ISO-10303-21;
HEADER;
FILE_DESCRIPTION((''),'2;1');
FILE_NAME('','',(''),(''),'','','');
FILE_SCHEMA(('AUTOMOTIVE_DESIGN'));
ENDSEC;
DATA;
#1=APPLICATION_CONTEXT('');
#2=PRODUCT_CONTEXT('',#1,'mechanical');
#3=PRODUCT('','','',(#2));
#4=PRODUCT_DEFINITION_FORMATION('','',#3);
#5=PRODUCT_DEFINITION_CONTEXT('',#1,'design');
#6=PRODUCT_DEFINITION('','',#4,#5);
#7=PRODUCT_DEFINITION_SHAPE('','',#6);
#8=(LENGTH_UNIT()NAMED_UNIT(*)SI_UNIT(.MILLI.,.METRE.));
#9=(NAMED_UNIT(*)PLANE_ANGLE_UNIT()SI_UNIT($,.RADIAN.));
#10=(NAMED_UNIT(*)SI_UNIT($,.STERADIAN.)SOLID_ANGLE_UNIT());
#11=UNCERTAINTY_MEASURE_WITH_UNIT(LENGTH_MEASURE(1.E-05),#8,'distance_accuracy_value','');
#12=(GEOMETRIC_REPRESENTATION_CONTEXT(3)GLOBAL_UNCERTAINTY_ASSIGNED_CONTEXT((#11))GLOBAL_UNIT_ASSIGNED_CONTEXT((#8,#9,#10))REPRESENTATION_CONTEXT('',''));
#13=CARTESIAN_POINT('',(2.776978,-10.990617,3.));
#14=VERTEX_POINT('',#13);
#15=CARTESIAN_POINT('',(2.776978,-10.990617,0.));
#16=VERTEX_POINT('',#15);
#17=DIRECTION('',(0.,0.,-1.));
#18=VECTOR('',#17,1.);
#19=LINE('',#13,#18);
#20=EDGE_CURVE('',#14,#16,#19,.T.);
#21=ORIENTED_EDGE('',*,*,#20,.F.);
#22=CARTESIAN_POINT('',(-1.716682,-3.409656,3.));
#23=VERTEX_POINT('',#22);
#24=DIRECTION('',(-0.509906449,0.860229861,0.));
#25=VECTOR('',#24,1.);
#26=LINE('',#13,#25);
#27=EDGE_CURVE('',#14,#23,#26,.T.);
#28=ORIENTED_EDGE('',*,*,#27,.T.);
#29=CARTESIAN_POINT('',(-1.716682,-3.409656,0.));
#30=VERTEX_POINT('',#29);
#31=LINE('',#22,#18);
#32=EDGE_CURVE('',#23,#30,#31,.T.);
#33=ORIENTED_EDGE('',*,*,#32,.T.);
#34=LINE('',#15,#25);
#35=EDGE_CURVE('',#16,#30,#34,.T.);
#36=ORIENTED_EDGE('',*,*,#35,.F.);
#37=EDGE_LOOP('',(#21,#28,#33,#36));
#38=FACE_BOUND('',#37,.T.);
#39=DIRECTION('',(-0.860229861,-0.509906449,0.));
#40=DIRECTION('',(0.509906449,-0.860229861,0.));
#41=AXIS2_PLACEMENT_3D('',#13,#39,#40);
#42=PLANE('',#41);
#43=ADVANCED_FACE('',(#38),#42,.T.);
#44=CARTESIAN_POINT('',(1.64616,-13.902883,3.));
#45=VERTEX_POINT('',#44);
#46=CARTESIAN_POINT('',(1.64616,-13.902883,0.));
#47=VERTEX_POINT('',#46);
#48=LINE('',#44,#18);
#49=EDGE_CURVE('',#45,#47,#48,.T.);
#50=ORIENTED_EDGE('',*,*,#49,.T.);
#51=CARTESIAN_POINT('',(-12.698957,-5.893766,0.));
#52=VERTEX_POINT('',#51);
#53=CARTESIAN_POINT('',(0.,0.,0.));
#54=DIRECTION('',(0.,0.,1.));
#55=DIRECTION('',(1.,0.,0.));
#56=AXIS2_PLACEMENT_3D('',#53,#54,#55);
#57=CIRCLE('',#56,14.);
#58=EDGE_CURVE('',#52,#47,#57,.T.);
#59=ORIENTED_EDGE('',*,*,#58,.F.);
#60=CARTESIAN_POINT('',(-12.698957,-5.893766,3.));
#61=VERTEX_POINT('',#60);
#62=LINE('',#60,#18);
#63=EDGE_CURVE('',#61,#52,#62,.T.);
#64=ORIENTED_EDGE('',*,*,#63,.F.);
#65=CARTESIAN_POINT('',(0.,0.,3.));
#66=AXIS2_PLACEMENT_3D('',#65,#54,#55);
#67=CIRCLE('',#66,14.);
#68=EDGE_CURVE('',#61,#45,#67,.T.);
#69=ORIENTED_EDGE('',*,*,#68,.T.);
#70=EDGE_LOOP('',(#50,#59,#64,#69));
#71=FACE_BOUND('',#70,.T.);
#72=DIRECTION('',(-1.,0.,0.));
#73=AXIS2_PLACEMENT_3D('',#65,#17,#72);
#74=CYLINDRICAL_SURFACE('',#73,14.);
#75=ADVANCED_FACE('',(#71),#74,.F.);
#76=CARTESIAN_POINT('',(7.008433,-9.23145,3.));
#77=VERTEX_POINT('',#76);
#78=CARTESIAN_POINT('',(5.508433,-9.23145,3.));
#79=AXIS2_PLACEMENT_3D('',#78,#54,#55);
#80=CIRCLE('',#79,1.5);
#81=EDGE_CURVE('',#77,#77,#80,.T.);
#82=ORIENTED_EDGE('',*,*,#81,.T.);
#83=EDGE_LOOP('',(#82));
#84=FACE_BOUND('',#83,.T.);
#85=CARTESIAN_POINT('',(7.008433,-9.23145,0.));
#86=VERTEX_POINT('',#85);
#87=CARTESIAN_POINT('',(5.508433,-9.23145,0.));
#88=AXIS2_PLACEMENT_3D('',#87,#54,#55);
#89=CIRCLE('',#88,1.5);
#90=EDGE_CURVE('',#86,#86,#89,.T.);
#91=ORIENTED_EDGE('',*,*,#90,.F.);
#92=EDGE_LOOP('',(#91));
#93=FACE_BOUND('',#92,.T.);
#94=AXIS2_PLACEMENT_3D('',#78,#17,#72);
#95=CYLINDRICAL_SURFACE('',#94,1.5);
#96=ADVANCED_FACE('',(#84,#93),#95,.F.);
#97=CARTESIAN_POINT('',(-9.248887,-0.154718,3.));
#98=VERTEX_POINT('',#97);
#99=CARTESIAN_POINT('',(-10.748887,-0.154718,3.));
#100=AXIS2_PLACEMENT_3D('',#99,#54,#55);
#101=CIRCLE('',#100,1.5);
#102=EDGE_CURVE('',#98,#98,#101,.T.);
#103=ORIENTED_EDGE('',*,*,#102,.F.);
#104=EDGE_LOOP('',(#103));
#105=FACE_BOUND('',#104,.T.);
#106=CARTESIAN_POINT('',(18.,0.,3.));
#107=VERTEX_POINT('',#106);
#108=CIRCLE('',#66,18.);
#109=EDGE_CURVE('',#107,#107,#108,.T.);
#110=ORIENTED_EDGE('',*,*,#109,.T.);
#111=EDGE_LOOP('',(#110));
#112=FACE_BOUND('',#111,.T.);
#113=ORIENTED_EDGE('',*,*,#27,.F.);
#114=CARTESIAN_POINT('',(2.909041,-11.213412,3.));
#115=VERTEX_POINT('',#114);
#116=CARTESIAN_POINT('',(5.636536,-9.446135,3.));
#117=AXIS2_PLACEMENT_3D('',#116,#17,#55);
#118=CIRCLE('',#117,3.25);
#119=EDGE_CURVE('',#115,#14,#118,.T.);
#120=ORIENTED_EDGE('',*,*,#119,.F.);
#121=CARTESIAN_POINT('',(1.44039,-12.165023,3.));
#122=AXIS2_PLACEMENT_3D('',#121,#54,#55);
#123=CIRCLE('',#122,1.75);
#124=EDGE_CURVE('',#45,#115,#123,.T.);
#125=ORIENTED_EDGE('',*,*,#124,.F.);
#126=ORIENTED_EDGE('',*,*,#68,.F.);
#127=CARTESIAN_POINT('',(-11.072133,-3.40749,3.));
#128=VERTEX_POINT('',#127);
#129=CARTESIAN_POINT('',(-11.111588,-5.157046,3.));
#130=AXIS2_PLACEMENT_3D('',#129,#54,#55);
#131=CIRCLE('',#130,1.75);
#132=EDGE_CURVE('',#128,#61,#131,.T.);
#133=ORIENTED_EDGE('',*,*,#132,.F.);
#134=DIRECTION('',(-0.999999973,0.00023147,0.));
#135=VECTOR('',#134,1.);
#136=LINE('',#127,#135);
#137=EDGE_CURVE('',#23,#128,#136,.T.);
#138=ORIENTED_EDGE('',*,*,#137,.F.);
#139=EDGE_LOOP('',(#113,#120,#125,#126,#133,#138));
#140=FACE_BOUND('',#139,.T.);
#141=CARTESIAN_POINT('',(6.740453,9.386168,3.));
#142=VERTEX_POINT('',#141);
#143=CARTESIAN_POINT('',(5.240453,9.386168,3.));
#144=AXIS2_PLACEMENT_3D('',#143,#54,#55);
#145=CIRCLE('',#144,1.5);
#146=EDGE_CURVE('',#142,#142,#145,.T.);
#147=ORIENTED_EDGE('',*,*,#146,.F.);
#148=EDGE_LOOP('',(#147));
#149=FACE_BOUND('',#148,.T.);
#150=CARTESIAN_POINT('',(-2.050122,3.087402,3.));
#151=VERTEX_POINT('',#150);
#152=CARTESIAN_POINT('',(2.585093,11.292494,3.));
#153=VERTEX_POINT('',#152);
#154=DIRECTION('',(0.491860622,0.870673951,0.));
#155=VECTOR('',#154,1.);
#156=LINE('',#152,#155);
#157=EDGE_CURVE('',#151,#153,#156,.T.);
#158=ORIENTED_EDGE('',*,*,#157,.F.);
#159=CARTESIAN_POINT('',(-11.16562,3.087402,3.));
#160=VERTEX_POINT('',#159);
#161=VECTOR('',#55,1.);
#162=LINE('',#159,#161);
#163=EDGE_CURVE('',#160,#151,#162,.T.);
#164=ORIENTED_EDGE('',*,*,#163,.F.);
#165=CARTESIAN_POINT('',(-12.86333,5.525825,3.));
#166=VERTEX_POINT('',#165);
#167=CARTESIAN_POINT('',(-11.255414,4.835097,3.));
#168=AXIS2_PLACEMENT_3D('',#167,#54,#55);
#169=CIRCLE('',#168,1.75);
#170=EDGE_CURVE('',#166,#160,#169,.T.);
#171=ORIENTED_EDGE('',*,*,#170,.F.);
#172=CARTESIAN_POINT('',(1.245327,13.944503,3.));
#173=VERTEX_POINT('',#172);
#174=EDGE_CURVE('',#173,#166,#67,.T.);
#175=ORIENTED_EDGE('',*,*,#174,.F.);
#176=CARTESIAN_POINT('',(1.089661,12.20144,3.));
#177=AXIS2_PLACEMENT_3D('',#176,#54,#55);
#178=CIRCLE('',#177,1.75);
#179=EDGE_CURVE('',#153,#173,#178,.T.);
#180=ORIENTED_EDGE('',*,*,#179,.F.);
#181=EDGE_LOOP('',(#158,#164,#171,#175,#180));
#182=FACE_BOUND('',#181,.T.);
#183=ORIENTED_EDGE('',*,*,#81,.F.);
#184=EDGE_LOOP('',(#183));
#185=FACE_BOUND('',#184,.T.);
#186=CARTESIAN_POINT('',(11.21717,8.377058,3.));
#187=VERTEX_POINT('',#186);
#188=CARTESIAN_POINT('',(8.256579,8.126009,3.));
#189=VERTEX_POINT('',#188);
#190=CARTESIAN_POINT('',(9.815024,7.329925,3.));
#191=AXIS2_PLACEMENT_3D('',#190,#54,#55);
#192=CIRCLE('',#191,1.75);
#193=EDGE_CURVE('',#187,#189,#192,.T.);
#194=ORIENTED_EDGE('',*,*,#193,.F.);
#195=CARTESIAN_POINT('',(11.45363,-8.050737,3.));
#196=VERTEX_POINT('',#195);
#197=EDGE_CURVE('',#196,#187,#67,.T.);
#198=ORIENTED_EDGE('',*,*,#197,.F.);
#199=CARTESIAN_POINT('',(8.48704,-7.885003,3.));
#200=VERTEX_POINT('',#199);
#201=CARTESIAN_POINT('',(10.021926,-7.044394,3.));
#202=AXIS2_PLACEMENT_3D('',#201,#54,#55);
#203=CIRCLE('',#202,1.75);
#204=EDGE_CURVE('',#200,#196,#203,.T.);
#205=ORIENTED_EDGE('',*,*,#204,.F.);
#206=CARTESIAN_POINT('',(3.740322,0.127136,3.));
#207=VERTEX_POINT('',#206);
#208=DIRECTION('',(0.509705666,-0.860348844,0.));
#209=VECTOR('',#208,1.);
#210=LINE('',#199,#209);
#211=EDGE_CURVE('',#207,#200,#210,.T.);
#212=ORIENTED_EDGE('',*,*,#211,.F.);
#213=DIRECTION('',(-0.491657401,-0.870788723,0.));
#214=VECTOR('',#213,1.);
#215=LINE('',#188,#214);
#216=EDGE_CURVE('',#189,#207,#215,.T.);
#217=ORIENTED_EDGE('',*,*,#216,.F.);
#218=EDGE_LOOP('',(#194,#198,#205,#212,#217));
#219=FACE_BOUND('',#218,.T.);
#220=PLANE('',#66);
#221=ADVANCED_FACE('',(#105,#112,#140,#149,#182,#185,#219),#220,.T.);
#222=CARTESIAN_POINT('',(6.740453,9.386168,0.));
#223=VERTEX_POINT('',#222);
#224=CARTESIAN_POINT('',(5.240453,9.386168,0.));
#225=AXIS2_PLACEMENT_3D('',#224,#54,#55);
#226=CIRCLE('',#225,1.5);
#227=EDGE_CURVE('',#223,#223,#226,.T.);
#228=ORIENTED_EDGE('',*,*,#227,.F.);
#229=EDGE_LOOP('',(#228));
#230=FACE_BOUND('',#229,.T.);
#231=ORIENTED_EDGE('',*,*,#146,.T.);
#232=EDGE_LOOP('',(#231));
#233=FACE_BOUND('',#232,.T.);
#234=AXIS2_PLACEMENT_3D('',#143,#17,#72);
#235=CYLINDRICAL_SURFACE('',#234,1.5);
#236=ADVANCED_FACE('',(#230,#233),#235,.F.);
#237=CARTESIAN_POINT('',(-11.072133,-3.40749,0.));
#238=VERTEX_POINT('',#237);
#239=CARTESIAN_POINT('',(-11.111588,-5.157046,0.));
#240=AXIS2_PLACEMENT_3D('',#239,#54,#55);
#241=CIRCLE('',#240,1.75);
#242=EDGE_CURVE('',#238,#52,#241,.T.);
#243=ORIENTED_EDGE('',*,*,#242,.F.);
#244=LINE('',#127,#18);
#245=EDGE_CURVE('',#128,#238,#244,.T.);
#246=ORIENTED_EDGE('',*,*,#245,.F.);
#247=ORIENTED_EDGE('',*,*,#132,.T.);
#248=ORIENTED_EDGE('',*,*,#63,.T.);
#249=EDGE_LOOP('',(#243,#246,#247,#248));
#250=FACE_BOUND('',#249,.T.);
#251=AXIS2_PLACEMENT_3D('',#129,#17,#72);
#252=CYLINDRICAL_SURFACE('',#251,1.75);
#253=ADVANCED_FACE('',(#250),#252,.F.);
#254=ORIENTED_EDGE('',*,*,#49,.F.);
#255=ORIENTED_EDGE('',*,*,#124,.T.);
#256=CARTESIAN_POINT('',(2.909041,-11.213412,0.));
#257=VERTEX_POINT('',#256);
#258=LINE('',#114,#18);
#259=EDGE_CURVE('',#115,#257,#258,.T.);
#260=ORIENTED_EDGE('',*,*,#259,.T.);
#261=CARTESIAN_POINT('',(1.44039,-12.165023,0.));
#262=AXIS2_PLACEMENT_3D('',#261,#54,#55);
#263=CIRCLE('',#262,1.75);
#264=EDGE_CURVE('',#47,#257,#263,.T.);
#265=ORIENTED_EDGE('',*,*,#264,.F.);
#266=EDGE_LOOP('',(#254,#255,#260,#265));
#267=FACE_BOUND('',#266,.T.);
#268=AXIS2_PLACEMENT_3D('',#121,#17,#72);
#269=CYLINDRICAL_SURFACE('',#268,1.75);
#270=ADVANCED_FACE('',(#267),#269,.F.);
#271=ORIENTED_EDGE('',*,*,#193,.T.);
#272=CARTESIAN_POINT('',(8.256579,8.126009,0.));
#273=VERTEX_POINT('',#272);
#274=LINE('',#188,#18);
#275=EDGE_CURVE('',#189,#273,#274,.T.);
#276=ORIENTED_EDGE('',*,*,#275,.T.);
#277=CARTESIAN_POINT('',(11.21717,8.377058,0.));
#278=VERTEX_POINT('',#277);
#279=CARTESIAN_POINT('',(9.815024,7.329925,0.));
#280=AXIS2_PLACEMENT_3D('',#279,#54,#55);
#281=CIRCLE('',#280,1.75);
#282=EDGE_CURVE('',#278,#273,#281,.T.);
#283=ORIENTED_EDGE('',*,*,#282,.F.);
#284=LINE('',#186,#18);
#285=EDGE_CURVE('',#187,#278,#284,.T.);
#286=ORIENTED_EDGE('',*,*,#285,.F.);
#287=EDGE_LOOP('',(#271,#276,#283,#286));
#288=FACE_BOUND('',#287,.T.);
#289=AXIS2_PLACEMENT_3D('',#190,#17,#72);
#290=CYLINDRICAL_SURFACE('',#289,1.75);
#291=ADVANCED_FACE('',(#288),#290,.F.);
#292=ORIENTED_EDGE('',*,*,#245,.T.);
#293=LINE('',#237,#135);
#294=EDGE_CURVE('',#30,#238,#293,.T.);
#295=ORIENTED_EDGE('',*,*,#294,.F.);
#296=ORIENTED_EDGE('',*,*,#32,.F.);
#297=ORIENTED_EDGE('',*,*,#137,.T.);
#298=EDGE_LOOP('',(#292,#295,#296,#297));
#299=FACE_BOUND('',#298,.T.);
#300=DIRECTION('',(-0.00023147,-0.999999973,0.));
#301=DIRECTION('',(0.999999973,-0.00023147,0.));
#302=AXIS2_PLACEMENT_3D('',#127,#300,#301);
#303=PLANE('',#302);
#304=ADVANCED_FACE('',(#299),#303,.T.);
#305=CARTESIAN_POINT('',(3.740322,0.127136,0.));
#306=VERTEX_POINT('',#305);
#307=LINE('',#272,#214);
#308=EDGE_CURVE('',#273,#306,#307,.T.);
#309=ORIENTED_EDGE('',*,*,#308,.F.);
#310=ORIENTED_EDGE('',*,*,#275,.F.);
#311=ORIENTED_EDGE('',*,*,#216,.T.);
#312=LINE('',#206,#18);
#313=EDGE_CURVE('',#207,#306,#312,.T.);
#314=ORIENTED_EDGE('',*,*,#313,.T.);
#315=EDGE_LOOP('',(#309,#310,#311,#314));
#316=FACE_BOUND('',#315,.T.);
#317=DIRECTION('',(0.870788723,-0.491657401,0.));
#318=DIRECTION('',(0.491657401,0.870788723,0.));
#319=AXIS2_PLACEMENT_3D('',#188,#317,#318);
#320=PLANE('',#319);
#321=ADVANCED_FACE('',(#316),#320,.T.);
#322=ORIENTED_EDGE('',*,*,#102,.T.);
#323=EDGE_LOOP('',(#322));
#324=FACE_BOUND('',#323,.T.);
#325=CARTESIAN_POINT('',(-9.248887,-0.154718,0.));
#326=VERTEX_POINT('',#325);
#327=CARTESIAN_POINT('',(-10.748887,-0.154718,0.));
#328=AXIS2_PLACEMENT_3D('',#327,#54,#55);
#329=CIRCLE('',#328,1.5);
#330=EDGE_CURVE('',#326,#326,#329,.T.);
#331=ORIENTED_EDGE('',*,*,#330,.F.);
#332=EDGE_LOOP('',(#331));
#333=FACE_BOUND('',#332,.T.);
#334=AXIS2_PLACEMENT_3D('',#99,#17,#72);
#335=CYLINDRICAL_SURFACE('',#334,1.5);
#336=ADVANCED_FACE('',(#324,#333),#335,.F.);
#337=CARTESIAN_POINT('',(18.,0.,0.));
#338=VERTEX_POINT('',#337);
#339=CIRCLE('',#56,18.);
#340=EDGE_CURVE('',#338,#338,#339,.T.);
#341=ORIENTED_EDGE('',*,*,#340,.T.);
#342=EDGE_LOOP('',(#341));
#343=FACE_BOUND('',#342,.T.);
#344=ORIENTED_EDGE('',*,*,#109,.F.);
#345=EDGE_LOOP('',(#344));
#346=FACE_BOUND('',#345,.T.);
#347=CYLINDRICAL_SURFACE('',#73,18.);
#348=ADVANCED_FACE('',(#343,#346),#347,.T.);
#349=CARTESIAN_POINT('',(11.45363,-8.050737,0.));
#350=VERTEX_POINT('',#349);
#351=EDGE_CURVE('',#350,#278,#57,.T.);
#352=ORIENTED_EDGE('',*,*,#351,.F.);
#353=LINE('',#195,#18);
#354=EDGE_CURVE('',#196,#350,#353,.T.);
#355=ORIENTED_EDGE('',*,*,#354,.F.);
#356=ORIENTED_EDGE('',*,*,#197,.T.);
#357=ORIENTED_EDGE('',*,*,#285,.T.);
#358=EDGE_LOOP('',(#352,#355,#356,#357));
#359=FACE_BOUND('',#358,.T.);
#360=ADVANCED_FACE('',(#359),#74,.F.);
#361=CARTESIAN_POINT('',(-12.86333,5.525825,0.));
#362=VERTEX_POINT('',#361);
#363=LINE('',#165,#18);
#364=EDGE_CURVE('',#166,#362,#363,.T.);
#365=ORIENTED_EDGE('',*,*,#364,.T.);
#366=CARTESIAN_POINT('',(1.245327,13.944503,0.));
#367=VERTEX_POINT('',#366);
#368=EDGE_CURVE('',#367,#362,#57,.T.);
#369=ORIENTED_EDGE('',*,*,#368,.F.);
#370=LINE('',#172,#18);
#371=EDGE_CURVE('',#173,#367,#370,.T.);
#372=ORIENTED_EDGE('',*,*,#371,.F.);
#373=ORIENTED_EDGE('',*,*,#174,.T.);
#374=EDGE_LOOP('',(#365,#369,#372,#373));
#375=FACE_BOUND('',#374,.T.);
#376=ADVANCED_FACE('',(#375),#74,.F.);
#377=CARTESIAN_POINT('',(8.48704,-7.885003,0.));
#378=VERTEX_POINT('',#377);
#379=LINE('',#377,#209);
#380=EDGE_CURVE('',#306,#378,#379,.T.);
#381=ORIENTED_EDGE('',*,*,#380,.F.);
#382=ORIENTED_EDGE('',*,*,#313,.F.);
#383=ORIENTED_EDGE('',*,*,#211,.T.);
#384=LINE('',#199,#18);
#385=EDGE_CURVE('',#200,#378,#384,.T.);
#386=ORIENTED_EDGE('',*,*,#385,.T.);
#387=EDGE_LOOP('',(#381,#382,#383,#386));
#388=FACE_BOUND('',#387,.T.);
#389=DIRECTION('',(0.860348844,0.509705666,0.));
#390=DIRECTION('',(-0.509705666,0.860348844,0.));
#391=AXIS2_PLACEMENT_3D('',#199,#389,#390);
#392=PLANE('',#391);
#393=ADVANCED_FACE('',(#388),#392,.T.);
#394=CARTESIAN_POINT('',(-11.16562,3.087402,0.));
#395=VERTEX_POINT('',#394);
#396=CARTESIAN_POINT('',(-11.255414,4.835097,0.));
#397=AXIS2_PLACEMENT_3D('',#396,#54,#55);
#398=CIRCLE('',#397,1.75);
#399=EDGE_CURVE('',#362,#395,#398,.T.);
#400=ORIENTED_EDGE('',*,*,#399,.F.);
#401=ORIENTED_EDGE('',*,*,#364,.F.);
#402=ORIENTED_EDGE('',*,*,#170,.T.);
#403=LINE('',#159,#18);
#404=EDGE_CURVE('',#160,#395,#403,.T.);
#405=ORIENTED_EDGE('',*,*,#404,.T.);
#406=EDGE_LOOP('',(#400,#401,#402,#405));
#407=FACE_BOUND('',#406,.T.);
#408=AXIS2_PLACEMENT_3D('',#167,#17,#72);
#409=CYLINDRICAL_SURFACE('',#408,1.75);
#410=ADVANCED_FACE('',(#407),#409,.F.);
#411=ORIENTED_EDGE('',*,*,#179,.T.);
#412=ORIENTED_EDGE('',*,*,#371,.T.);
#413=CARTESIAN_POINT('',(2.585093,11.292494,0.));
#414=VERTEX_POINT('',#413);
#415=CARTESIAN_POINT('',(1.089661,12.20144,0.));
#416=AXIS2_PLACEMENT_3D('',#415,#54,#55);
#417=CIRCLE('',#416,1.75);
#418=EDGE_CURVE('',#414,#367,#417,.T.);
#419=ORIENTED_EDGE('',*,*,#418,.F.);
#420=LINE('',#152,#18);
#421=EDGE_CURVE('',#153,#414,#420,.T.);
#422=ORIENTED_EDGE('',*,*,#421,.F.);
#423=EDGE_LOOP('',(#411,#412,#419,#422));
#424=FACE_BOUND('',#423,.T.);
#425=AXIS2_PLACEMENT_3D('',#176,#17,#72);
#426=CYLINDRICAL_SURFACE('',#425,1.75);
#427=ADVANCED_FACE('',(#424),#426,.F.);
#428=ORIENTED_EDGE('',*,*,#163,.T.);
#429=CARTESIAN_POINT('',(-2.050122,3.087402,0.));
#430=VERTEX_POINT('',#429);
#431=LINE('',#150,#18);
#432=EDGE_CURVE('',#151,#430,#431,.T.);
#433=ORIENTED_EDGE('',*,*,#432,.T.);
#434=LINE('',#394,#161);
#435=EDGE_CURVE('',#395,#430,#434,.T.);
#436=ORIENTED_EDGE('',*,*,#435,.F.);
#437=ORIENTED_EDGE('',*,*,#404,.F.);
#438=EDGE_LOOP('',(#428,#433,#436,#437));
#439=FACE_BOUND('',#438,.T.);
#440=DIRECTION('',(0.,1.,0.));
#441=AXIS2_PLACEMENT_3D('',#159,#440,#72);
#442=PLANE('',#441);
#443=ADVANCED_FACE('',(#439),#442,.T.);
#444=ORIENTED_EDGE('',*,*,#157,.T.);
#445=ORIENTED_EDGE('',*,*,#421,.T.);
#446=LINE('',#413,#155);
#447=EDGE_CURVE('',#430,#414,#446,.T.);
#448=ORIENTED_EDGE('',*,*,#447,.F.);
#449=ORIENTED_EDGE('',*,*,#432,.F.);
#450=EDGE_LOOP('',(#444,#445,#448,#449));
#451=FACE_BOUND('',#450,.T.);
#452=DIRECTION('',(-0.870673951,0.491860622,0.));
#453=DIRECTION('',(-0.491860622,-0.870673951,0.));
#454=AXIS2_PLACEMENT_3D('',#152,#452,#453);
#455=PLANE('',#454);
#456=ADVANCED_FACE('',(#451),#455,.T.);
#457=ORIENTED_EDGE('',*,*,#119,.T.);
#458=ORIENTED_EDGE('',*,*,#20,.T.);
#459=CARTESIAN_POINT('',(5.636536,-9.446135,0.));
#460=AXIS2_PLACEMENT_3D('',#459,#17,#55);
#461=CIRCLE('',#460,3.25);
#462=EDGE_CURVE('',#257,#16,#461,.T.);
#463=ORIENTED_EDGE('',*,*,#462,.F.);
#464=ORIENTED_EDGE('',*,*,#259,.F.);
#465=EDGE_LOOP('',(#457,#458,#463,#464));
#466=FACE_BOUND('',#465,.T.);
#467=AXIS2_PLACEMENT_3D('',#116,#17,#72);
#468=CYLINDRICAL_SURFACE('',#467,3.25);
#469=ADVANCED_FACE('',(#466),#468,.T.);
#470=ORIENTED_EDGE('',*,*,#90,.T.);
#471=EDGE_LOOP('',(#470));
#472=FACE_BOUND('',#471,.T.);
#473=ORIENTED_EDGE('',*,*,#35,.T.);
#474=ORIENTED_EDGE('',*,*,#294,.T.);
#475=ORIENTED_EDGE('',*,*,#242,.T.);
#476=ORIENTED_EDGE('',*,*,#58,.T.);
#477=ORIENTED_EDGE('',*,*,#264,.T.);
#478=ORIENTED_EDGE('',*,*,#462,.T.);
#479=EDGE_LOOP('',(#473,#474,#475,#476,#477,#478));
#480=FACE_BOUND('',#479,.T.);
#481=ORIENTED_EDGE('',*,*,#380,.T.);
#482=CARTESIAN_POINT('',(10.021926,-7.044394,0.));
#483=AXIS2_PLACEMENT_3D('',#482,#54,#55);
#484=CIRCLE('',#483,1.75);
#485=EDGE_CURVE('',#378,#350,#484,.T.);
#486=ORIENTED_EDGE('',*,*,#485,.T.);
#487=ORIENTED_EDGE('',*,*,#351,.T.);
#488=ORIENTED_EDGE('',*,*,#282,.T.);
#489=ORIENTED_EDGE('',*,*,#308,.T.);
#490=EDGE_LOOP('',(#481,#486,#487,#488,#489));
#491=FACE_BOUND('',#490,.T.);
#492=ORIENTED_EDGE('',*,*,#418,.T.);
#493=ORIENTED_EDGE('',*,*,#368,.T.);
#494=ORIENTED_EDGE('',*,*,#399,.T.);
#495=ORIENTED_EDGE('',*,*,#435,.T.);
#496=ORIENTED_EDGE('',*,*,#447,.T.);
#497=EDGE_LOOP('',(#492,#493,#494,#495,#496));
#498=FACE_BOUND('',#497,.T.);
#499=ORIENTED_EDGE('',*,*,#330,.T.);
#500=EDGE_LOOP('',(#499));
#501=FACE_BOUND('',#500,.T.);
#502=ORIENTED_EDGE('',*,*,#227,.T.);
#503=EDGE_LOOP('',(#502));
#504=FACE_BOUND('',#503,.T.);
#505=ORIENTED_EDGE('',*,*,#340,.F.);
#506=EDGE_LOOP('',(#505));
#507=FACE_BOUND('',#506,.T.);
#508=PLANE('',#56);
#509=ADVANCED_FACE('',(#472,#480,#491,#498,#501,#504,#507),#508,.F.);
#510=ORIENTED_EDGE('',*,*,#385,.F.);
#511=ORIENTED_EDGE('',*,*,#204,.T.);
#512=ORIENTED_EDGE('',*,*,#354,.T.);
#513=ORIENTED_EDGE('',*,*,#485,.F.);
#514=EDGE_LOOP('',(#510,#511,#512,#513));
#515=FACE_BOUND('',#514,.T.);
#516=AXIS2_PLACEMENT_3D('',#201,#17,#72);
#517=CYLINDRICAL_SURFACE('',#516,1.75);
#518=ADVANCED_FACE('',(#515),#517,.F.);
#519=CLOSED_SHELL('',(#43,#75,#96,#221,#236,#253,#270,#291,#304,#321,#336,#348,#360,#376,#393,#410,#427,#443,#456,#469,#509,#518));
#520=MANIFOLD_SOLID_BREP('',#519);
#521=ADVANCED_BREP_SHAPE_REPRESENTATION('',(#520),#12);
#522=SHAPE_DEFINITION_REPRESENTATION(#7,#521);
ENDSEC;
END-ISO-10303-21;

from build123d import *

# Parameters (mm, degrees)
ESQUISSE1_R        = 18
ESQUISSE1_R_2      = 1.5
BOSS_EXTRU_1_DEPTH = 3


with BuildPart() as part:
    # Esquisse1 → Boss.-Extru.1 (new body)
    with BuildSketch(Plane.XY):
        Circle(ESQUISSE1_R)
        with Locations((5.240453276, 9.386167986)):
            Circle(ESQUISSE1_R_2, mode=Mode.SUBTRACT)
        with Locations((5.508433282, -9.231449657)):
            Circle(ESQUISSE1_R_2, mode=Mode.SUBTRACT)
        with Locations((-10.748886558, -0.154718329)):
            Circle(ESQUISSE1_R_2, mode=Mode.SUBTRACT)
        with BuildLine():
            Line((-11.072133243, -3.407490345), (-1.716682497, -3.409655851))
            Line((-1.716682497, -3.409655851), (2.776978064, -10.990617044))
            ThreePointArc((2.776978064, -10.990617044), (2.840789334, -11.103330491), (2.909041031, -11.213411848))
            ThreePointArc((2.909041031, -11.213411848), (3.02444637, -12.90884018), (1.646159643, -13.902883098))
            ThreePointArc((1.646159643, -13.902883098), (-6.824776359, -12.22384668), (-12.698957381, -5.893766319))
            ThreePointArc((-12.698957381, -5.893766319), (-12.575965538, -4.198871447), (-11.072133243, -3.407490345))
        make_face(mode=Mode.SUBTRACT)
        with BuildLine():
            Line((-11.165620039, 3.087402491), (-2.050122008, 3.087402491))
            Line((-2.050122008, 3.087402491), (2.58509342, 11.292493835))
            ThreePointArc((2.58509342, 11.292493835), (2.651653429, 12.990541357), (1.245327334, 13.944502853))
            ThreePointArc((1.245327334, 13.944502853), (-7.173773577, 12.022353042), (-12.86332977, 5.525825479))
            ThreePointArc((-12.86332977, 5.525825479), (-12.691606715, 3.835172702), (-11.165620039, 3.087402491))
        make_face(mode=Mode.SUBTRACT)
        with BuildLine():
            Line((8.487039823, -7.88500349), (3.740322398, 0.12713591))
            Line((3.740322398, 0.12713591), (8.256579008, 8.126009358))
            ThreePointArc((8.256579008, 8.126009358), (9.667160345, 9.073667479), (11.217170127, 8.377057619))
            ThreePointArc((11.217170127, 8.377057619), (13.998549936, 0.201493638), (11.453630047, -8.050736534))
            ThreePointArc((11.453630047, -8.050736534), (9.92431211, -8.79166991), (8.487039823, -7.88500349))
        make_face(mode=Mode.SUBTRACT)
    extrude(amount=BOSS_EXTRU_1_DEPTH)


solid = part.part
